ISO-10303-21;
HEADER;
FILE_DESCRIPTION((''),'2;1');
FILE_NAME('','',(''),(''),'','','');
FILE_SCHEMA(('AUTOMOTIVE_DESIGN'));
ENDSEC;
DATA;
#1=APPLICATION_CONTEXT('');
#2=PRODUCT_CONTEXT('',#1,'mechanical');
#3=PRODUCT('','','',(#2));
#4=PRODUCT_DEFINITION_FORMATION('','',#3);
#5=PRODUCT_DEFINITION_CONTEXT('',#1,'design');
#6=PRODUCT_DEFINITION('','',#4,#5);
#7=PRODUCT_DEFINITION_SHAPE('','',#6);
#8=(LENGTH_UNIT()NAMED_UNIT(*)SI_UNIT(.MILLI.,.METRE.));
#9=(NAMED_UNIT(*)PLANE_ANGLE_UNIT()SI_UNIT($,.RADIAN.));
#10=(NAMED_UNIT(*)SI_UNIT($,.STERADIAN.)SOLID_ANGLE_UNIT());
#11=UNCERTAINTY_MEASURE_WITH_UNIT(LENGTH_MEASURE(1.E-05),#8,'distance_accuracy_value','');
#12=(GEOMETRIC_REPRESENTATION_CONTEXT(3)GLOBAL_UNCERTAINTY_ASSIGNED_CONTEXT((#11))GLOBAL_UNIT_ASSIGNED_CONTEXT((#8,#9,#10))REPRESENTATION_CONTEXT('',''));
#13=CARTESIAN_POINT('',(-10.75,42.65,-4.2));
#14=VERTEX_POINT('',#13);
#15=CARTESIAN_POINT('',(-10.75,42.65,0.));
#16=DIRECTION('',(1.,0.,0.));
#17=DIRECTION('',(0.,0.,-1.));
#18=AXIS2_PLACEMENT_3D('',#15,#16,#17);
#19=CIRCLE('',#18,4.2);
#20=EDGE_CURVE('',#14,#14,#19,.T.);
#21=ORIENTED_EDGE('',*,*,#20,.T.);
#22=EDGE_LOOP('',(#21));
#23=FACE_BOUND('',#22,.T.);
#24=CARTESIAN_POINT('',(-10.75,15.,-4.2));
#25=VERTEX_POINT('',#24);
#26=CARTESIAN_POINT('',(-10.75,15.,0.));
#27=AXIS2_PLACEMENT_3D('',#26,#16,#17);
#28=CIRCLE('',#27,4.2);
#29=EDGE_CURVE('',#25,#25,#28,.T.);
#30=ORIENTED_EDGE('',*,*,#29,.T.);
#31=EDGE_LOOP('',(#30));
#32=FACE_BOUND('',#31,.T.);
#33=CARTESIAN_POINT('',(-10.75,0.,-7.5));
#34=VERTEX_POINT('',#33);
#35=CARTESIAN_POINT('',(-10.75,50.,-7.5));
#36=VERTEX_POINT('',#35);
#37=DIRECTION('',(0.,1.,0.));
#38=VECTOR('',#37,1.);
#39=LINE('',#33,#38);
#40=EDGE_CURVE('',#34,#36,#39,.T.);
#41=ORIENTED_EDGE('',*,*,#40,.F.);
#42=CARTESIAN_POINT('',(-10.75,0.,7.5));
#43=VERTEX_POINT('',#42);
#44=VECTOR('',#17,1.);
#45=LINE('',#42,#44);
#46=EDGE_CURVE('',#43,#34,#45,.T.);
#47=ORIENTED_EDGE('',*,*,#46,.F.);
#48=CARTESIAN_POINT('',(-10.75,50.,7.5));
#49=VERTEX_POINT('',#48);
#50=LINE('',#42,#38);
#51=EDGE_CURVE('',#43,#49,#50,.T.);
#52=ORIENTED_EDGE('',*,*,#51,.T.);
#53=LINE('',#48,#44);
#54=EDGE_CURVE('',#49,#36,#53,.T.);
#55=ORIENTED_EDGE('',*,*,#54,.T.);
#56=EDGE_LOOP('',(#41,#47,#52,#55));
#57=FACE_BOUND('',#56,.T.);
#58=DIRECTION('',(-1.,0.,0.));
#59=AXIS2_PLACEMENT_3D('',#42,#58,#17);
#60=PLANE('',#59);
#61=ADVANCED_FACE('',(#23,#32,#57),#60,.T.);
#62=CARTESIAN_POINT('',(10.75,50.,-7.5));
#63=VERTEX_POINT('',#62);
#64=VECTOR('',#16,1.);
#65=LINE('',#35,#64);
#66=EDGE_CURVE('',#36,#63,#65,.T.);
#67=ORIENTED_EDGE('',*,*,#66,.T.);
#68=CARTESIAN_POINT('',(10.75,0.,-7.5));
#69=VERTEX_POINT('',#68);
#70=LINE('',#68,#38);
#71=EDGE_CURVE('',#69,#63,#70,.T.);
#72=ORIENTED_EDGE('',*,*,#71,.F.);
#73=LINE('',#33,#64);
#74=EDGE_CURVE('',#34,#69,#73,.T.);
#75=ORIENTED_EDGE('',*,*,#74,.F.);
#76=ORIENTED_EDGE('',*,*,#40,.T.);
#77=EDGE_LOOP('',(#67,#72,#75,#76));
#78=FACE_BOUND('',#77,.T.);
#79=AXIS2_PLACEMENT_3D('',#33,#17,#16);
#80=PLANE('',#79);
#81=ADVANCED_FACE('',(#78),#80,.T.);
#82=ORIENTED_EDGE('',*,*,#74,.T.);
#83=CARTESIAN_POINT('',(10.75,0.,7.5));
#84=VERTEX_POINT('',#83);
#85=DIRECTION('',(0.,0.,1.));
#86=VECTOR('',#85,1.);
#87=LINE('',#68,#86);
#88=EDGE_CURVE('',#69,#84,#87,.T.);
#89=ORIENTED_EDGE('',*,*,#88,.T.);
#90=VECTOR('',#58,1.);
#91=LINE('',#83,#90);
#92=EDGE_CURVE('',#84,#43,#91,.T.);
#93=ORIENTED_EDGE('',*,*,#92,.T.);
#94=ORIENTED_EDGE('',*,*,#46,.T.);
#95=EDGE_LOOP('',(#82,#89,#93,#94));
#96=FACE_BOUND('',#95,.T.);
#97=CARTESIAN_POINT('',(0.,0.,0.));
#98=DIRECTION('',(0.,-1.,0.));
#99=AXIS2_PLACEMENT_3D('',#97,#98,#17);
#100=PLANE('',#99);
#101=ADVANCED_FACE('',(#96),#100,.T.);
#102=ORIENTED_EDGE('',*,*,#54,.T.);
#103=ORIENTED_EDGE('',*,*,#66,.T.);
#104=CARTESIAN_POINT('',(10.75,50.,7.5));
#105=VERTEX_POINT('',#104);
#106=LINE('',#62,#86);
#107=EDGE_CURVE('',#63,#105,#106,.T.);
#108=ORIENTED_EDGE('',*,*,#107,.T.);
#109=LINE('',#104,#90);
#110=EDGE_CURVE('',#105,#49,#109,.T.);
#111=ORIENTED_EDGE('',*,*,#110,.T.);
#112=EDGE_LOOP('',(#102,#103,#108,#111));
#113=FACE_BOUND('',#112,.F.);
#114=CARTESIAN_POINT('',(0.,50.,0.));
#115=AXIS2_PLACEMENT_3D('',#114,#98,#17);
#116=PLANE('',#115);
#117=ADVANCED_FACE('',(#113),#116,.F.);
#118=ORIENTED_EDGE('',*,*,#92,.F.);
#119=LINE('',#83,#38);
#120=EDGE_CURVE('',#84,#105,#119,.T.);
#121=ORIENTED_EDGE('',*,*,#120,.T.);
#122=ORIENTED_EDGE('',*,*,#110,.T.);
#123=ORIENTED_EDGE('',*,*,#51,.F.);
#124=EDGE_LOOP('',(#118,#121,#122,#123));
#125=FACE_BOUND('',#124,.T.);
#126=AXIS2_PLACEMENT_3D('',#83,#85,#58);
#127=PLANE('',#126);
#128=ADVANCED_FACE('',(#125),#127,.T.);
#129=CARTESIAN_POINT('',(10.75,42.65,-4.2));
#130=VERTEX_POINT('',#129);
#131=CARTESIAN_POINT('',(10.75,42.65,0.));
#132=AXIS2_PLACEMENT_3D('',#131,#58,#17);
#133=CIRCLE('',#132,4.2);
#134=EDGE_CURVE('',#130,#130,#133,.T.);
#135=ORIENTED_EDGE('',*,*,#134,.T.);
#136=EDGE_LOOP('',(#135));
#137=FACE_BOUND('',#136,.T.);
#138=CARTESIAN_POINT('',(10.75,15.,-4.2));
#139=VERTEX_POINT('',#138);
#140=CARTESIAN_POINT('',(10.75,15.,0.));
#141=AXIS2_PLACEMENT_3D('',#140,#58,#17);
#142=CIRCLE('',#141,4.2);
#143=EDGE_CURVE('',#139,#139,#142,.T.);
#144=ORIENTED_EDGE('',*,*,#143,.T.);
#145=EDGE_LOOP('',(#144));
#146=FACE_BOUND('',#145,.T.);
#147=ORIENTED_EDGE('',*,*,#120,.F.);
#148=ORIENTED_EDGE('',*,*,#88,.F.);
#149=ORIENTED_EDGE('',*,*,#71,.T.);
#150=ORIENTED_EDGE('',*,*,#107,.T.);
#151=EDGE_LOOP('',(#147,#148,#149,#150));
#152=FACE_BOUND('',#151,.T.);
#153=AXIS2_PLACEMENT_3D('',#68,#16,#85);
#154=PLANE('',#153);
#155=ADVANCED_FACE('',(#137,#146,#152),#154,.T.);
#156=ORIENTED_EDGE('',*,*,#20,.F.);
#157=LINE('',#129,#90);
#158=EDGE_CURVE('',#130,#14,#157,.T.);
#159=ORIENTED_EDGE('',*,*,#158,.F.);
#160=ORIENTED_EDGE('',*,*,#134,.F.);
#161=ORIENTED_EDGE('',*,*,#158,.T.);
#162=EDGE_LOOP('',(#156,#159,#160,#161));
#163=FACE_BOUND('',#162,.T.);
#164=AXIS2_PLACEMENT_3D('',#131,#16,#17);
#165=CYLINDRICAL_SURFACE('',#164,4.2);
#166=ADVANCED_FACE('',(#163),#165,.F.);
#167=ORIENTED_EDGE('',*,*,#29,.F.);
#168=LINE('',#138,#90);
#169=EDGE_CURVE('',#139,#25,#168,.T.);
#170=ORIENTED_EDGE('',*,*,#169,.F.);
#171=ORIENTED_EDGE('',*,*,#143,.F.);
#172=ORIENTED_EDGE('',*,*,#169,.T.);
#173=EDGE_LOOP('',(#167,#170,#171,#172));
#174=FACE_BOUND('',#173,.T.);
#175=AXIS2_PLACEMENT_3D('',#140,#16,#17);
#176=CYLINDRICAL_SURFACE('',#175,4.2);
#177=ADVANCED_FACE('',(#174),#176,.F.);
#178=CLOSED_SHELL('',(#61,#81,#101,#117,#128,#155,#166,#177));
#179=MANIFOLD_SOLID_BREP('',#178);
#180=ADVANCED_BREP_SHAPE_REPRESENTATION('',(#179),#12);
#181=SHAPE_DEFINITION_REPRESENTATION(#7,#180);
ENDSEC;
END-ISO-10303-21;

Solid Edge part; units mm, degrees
sketch "Sketch1" plane through (0, 0, 0) normal (0, -1, 0) x (1, 0, 0)
  line L0 (-10.75, -7.5) -> (10.75, -7.5)
  line L1 (10.75, -7.5) -> (10.75, 7.5)
  line L2 (10.75, 7.5) -> (-10.75, 7.5)
  line L3 (-10.75, 7.5) -> (-10.75, -7.5)
  dimension "D1" = 21.5
  dimension "D2" = 15
extrude "Protrusion1" add sketch "Sketch1" against normal blind 50
hole "Hole_1" at (10.75, 15, 0) direction (-1, 0, 0) diameter 8.4 end up to next
hole "Hole1" at (10.75, 42.65, 0) direction (-1, 0, 0) diameter 8.4 end up to next
